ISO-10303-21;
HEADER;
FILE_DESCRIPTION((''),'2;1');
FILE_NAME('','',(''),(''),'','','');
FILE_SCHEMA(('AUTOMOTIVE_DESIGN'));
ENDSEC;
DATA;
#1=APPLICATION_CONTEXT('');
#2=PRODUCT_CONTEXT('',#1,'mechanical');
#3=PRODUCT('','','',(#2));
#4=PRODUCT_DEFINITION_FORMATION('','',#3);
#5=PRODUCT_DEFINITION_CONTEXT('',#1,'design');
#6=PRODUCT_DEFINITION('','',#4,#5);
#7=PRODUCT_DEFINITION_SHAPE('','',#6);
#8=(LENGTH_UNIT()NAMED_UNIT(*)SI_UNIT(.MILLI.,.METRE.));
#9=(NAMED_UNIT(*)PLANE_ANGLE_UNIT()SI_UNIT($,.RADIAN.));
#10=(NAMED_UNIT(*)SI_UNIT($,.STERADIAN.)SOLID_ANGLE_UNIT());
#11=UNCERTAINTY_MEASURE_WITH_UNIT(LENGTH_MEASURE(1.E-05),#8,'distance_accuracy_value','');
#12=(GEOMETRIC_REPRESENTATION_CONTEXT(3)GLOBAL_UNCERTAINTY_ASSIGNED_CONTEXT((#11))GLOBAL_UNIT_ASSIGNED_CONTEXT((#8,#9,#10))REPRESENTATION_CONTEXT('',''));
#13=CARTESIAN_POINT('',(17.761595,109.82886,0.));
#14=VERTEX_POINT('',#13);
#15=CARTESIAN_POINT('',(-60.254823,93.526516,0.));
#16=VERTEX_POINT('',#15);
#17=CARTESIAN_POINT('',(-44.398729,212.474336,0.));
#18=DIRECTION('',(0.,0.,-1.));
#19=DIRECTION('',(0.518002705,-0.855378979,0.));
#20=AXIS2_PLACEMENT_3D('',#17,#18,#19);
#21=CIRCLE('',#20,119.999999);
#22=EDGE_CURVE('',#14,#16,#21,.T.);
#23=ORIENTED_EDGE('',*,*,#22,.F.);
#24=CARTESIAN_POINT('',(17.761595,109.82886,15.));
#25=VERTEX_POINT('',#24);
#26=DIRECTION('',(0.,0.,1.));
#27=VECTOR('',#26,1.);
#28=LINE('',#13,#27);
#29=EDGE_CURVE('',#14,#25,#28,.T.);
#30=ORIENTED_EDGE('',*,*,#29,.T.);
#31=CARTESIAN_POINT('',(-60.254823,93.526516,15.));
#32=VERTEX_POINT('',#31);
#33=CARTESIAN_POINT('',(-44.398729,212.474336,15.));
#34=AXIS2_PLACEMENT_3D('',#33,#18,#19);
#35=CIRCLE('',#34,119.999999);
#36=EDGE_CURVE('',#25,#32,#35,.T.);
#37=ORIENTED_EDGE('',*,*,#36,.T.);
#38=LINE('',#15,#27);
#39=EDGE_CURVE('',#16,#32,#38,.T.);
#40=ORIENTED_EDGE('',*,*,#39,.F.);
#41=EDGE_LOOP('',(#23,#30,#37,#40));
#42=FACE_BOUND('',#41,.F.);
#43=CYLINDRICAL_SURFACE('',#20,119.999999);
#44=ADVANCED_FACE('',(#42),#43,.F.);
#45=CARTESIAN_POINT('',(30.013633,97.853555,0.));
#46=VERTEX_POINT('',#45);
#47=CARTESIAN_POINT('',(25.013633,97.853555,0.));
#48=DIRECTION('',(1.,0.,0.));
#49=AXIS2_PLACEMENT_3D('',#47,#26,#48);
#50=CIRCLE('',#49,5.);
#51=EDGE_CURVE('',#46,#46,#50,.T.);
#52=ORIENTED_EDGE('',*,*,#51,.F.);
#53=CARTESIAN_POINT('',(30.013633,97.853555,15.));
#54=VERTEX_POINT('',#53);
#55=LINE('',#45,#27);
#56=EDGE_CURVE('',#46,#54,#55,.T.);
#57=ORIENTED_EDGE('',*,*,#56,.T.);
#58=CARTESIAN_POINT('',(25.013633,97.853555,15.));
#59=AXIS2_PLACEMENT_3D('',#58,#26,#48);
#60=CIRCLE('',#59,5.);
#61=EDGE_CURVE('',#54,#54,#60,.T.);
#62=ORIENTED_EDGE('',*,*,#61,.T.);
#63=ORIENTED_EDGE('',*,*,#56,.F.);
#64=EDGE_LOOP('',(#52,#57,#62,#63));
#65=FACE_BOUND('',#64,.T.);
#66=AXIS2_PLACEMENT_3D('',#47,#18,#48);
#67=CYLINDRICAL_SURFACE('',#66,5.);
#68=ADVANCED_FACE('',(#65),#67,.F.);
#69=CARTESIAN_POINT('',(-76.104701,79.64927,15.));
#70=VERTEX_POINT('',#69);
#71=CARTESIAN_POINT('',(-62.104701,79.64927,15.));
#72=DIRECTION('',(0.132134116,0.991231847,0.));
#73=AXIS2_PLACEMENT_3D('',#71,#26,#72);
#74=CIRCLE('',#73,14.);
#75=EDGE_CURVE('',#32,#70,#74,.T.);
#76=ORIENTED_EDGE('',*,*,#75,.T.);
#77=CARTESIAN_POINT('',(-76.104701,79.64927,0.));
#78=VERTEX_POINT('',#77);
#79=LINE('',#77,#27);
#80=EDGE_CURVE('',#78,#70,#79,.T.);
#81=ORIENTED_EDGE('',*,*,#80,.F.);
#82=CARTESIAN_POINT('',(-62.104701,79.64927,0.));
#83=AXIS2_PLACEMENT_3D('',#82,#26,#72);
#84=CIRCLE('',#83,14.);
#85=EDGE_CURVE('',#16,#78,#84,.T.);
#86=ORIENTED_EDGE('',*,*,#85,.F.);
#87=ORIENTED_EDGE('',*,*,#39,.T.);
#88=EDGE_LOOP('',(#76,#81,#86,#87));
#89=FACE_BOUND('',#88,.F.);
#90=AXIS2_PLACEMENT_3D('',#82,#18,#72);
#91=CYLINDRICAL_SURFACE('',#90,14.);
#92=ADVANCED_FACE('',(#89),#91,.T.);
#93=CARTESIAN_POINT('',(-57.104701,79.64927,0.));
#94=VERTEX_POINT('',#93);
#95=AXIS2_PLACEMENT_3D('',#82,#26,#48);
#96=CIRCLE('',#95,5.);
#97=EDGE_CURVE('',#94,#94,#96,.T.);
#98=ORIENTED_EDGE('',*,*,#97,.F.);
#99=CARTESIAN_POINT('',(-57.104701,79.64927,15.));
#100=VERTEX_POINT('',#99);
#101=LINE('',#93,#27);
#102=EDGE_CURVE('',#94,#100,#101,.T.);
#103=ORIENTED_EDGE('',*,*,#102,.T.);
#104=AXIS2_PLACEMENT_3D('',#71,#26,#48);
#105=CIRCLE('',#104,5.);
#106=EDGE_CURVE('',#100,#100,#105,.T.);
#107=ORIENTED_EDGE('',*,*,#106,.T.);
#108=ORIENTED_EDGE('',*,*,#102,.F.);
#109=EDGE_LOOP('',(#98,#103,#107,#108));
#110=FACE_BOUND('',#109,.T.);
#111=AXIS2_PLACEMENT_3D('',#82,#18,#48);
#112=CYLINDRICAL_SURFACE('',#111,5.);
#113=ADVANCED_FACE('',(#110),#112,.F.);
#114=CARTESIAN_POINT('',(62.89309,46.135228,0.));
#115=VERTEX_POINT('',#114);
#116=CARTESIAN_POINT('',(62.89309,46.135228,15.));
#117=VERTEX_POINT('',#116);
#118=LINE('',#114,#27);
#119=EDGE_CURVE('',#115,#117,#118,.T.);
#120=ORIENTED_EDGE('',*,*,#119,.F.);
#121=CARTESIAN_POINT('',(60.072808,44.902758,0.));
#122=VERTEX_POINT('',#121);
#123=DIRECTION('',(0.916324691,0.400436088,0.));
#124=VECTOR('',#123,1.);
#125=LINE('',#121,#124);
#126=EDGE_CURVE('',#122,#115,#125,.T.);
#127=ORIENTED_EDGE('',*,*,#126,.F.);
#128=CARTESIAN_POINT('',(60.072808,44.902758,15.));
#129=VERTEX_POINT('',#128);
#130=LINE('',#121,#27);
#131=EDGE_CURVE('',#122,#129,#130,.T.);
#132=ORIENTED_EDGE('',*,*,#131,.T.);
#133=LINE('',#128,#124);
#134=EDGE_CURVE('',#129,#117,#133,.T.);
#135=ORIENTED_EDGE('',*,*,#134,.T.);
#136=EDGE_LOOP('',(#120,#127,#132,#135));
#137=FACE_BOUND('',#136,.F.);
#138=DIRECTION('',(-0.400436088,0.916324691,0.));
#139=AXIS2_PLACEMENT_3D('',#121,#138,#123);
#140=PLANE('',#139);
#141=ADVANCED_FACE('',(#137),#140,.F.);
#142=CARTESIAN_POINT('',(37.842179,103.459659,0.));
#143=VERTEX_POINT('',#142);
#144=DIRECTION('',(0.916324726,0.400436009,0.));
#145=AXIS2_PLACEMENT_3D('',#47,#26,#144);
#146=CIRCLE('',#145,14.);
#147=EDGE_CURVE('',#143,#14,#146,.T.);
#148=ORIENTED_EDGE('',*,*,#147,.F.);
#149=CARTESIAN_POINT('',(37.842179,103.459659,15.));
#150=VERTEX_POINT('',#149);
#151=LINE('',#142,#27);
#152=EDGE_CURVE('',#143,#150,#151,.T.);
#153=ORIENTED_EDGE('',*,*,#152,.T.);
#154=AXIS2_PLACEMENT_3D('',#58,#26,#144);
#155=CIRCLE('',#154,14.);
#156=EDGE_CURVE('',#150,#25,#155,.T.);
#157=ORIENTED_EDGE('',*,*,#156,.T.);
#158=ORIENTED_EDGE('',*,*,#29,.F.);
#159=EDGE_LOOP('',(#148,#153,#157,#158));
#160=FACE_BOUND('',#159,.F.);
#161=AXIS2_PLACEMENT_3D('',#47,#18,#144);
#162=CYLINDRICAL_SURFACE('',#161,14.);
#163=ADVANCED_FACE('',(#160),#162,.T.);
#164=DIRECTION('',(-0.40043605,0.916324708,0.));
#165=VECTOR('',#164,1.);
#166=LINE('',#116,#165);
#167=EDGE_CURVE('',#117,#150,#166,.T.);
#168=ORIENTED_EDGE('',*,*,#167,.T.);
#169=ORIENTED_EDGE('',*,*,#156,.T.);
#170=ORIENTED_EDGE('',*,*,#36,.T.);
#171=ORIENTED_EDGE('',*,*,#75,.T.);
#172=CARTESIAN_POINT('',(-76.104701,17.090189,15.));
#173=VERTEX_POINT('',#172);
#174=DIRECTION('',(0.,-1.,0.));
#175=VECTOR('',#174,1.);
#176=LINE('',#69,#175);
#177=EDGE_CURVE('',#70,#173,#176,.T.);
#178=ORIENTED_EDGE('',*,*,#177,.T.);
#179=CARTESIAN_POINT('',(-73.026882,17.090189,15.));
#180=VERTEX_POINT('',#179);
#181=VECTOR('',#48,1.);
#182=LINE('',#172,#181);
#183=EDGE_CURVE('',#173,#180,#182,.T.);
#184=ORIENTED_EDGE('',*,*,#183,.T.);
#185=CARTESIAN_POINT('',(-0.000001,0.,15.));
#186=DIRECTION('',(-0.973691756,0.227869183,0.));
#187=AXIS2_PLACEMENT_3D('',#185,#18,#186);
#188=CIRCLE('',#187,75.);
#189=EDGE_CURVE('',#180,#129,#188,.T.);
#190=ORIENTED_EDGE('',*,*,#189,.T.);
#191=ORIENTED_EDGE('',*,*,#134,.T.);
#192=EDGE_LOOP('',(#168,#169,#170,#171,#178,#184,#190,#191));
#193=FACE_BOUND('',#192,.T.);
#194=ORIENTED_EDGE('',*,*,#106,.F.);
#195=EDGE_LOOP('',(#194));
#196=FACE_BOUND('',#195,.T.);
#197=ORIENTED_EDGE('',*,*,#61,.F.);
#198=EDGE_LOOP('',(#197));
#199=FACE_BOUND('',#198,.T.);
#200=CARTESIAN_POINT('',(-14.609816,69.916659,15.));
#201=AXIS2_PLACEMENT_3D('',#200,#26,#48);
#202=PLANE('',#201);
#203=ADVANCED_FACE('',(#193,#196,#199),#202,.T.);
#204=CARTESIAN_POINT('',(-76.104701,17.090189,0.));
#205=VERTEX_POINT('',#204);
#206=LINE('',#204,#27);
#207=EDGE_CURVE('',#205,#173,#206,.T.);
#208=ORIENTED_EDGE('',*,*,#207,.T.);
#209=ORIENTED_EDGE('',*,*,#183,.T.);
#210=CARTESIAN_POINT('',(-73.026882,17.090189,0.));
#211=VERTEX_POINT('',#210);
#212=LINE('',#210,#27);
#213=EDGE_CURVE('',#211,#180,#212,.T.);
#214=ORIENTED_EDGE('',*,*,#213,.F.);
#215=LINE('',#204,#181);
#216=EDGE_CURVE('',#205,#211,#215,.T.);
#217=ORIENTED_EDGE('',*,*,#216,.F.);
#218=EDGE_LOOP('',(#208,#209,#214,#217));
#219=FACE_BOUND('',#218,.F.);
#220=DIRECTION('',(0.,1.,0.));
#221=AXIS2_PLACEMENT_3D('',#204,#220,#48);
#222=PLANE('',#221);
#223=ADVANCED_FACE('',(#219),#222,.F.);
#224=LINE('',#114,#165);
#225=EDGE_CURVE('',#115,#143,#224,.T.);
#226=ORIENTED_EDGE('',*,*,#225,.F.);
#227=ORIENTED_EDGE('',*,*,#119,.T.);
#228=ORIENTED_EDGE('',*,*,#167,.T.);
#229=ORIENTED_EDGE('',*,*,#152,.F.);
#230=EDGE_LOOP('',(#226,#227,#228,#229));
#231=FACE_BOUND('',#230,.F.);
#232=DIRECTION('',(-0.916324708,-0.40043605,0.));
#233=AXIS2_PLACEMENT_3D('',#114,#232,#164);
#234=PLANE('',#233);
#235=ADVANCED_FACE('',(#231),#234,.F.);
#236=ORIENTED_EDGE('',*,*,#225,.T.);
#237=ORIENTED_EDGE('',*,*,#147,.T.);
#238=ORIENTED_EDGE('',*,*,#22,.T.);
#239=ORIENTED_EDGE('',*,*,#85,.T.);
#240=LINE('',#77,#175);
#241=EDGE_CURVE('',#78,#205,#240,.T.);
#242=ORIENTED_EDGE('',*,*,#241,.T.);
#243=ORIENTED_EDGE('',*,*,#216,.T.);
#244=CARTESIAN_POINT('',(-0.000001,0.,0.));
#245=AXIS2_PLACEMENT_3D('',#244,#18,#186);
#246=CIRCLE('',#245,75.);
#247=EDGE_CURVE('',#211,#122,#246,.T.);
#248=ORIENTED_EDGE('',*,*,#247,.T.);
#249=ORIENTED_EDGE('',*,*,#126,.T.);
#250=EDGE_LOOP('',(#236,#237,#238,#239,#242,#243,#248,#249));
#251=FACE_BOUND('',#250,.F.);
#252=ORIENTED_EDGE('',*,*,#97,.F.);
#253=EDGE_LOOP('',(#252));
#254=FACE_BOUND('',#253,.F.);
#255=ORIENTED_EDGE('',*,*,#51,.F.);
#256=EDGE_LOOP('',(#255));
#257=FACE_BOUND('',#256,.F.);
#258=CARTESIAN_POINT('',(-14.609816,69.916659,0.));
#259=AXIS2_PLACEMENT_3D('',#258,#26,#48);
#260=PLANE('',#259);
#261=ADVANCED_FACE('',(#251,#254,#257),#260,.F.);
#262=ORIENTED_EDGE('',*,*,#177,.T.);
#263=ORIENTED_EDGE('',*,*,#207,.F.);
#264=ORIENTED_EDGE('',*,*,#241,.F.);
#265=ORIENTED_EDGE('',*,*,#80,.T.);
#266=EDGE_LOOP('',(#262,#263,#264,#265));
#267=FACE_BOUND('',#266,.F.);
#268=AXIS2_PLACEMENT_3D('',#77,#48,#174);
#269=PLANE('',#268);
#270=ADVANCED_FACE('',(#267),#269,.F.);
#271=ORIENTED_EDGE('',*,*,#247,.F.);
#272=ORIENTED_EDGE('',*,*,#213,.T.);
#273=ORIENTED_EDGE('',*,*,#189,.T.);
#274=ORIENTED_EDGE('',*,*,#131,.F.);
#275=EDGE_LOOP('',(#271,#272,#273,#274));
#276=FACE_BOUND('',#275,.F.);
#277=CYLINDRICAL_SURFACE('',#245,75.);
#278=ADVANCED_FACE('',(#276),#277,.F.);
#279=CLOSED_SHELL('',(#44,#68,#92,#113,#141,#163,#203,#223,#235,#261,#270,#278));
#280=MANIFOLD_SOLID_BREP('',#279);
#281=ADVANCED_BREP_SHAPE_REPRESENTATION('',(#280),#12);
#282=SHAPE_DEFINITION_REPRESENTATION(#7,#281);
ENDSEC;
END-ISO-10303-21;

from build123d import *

# Parameters (mm, degrees)
F0_R     = 5
F1_DEPTH = 15


with BuildPart() as f1:
    # F0 (on Top) → F1 (new body)
    with BuildSketch(Plane.XY):
        with BuildLine():
            ThreePointArc((-73.026882, 17.090189), (-15.34069, 73.414326), (60.072808, 44.902758))
            Line((60.072808, 44.902758), (62.89309, 46.135228))
            Line((62.89309, 46.135228), (37.842179, 103.459659))
            ThreePointArc((37.842179, 103.459659), (29.246367, 111.198365), (17.761595, 109.82886))
            ThreePointArc((17.761595, 109.82886), (-19.853627, 95.011416), (-60.254823, 93.526516))
            ThreePointArc((-60.254823, 93.526516), (-71.327003, 90.18251), (-76.104701, 79.64927))
            Line((-76.104701, 79.64927), (-76.104701, 17.090189))
            Line((-76.104701, 17.090189), (-73.026882, 17.090189))
        make_face()
        with Locations((-62.104701, 79.64927)):
            Circle(F0_R, mode=Mode.SUBTRACT)
        with Locations((25.013633, 97.853555)):
            Circle(F0_R, mode=Mode.SUBTRACT)
    extrude(amount=F1_DEPTH)


solid = f1.part
